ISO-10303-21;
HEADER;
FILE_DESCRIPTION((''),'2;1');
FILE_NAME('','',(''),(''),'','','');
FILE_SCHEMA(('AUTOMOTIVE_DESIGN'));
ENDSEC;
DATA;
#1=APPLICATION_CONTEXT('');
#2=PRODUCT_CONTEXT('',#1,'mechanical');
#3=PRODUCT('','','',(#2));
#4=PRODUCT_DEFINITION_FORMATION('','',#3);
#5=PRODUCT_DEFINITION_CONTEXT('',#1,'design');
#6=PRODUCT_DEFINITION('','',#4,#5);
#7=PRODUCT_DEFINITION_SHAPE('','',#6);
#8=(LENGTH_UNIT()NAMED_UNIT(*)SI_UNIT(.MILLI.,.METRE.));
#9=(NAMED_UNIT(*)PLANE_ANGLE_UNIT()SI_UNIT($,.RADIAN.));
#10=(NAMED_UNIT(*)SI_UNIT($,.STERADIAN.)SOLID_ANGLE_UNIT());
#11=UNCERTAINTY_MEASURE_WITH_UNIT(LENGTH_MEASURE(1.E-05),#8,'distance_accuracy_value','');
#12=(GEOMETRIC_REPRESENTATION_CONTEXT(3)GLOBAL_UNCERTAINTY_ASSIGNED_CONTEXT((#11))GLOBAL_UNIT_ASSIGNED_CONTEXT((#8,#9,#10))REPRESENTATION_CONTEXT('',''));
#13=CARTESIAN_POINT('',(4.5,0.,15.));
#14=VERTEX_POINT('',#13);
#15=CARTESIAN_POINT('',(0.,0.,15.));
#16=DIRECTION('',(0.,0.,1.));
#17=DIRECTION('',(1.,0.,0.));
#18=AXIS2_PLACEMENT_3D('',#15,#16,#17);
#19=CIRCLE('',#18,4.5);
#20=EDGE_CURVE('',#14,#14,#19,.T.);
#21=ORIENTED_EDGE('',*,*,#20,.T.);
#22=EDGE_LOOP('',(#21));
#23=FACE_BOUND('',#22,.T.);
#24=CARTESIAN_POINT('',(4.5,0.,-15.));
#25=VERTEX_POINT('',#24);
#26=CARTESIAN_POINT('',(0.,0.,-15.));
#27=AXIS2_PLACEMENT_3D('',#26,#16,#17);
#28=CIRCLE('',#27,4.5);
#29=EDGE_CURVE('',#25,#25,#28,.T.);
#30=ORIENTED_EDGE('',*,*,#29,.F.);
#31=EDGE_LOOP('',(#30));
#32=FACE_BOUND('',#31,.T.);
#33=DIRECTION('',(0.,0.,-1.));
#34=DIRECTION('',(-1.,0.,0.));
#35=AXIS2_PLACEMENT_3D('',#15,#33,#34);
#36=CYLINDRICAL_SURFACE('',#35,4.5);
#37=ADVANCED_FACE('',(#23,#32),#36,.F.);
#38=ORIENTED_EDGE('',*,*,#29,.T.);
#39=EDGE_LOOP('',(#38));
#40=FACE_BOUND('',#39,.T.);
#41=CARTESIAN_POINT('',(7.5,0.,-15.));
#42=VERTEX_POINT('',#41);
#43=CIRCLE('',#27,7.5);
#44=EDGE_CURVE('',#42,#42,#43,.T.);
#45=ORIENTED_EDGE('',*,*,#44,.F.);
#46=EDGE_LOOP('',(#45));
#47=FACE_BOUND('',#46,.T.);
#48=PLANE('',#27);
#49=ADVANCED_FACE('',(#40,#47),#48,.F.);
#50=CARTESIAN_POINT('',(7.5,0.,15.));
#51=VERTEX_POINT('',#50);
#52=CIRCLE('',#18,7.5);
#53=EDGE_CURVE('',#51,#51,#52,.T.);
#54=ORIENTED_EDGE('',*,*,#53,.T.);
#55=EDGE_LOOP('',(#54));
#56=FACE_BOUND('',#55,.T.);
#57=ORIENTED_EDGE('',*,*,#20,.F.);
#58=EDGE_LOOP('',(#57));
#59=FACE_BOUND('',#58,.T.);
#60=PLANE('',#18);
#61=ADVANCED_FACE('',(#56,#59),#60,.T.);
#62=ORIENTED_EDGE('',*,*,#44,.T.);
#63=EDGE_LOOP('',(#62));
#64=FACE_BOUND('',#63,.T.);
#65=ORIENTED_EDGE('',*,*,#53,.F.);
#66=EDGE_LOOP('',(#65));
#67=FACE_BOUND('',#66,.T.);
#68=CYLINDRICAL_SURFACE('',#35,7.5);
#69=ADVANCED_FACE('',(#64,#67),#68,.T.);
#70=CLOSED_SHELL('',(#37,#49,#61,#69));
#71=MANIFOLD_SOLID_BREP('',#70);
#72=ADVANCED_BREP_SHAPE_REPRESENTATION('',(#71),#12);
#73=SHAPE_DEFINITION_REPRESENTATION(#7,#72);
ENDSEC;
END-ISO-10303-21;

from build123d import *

# Parameters (mm, degrees)
SKETCH_1_R      = 7.5
SKETCH_1_R_2    = 4.5
EXTRUDE_1_DEPTH = 15


with BuildPart() as part:
    # 草图1 → 凸台-拉伸1 (new, symmetric)
    with BuildSketch(Plane.XY):
        Circle(SKETCH_1_R)
        Circle(SKETCH_1_R_2, mode=Mode.SUBTRACT)
    extrude(amount=EXTRUDE_1_DEPTH, both=True)


solid = part.part
